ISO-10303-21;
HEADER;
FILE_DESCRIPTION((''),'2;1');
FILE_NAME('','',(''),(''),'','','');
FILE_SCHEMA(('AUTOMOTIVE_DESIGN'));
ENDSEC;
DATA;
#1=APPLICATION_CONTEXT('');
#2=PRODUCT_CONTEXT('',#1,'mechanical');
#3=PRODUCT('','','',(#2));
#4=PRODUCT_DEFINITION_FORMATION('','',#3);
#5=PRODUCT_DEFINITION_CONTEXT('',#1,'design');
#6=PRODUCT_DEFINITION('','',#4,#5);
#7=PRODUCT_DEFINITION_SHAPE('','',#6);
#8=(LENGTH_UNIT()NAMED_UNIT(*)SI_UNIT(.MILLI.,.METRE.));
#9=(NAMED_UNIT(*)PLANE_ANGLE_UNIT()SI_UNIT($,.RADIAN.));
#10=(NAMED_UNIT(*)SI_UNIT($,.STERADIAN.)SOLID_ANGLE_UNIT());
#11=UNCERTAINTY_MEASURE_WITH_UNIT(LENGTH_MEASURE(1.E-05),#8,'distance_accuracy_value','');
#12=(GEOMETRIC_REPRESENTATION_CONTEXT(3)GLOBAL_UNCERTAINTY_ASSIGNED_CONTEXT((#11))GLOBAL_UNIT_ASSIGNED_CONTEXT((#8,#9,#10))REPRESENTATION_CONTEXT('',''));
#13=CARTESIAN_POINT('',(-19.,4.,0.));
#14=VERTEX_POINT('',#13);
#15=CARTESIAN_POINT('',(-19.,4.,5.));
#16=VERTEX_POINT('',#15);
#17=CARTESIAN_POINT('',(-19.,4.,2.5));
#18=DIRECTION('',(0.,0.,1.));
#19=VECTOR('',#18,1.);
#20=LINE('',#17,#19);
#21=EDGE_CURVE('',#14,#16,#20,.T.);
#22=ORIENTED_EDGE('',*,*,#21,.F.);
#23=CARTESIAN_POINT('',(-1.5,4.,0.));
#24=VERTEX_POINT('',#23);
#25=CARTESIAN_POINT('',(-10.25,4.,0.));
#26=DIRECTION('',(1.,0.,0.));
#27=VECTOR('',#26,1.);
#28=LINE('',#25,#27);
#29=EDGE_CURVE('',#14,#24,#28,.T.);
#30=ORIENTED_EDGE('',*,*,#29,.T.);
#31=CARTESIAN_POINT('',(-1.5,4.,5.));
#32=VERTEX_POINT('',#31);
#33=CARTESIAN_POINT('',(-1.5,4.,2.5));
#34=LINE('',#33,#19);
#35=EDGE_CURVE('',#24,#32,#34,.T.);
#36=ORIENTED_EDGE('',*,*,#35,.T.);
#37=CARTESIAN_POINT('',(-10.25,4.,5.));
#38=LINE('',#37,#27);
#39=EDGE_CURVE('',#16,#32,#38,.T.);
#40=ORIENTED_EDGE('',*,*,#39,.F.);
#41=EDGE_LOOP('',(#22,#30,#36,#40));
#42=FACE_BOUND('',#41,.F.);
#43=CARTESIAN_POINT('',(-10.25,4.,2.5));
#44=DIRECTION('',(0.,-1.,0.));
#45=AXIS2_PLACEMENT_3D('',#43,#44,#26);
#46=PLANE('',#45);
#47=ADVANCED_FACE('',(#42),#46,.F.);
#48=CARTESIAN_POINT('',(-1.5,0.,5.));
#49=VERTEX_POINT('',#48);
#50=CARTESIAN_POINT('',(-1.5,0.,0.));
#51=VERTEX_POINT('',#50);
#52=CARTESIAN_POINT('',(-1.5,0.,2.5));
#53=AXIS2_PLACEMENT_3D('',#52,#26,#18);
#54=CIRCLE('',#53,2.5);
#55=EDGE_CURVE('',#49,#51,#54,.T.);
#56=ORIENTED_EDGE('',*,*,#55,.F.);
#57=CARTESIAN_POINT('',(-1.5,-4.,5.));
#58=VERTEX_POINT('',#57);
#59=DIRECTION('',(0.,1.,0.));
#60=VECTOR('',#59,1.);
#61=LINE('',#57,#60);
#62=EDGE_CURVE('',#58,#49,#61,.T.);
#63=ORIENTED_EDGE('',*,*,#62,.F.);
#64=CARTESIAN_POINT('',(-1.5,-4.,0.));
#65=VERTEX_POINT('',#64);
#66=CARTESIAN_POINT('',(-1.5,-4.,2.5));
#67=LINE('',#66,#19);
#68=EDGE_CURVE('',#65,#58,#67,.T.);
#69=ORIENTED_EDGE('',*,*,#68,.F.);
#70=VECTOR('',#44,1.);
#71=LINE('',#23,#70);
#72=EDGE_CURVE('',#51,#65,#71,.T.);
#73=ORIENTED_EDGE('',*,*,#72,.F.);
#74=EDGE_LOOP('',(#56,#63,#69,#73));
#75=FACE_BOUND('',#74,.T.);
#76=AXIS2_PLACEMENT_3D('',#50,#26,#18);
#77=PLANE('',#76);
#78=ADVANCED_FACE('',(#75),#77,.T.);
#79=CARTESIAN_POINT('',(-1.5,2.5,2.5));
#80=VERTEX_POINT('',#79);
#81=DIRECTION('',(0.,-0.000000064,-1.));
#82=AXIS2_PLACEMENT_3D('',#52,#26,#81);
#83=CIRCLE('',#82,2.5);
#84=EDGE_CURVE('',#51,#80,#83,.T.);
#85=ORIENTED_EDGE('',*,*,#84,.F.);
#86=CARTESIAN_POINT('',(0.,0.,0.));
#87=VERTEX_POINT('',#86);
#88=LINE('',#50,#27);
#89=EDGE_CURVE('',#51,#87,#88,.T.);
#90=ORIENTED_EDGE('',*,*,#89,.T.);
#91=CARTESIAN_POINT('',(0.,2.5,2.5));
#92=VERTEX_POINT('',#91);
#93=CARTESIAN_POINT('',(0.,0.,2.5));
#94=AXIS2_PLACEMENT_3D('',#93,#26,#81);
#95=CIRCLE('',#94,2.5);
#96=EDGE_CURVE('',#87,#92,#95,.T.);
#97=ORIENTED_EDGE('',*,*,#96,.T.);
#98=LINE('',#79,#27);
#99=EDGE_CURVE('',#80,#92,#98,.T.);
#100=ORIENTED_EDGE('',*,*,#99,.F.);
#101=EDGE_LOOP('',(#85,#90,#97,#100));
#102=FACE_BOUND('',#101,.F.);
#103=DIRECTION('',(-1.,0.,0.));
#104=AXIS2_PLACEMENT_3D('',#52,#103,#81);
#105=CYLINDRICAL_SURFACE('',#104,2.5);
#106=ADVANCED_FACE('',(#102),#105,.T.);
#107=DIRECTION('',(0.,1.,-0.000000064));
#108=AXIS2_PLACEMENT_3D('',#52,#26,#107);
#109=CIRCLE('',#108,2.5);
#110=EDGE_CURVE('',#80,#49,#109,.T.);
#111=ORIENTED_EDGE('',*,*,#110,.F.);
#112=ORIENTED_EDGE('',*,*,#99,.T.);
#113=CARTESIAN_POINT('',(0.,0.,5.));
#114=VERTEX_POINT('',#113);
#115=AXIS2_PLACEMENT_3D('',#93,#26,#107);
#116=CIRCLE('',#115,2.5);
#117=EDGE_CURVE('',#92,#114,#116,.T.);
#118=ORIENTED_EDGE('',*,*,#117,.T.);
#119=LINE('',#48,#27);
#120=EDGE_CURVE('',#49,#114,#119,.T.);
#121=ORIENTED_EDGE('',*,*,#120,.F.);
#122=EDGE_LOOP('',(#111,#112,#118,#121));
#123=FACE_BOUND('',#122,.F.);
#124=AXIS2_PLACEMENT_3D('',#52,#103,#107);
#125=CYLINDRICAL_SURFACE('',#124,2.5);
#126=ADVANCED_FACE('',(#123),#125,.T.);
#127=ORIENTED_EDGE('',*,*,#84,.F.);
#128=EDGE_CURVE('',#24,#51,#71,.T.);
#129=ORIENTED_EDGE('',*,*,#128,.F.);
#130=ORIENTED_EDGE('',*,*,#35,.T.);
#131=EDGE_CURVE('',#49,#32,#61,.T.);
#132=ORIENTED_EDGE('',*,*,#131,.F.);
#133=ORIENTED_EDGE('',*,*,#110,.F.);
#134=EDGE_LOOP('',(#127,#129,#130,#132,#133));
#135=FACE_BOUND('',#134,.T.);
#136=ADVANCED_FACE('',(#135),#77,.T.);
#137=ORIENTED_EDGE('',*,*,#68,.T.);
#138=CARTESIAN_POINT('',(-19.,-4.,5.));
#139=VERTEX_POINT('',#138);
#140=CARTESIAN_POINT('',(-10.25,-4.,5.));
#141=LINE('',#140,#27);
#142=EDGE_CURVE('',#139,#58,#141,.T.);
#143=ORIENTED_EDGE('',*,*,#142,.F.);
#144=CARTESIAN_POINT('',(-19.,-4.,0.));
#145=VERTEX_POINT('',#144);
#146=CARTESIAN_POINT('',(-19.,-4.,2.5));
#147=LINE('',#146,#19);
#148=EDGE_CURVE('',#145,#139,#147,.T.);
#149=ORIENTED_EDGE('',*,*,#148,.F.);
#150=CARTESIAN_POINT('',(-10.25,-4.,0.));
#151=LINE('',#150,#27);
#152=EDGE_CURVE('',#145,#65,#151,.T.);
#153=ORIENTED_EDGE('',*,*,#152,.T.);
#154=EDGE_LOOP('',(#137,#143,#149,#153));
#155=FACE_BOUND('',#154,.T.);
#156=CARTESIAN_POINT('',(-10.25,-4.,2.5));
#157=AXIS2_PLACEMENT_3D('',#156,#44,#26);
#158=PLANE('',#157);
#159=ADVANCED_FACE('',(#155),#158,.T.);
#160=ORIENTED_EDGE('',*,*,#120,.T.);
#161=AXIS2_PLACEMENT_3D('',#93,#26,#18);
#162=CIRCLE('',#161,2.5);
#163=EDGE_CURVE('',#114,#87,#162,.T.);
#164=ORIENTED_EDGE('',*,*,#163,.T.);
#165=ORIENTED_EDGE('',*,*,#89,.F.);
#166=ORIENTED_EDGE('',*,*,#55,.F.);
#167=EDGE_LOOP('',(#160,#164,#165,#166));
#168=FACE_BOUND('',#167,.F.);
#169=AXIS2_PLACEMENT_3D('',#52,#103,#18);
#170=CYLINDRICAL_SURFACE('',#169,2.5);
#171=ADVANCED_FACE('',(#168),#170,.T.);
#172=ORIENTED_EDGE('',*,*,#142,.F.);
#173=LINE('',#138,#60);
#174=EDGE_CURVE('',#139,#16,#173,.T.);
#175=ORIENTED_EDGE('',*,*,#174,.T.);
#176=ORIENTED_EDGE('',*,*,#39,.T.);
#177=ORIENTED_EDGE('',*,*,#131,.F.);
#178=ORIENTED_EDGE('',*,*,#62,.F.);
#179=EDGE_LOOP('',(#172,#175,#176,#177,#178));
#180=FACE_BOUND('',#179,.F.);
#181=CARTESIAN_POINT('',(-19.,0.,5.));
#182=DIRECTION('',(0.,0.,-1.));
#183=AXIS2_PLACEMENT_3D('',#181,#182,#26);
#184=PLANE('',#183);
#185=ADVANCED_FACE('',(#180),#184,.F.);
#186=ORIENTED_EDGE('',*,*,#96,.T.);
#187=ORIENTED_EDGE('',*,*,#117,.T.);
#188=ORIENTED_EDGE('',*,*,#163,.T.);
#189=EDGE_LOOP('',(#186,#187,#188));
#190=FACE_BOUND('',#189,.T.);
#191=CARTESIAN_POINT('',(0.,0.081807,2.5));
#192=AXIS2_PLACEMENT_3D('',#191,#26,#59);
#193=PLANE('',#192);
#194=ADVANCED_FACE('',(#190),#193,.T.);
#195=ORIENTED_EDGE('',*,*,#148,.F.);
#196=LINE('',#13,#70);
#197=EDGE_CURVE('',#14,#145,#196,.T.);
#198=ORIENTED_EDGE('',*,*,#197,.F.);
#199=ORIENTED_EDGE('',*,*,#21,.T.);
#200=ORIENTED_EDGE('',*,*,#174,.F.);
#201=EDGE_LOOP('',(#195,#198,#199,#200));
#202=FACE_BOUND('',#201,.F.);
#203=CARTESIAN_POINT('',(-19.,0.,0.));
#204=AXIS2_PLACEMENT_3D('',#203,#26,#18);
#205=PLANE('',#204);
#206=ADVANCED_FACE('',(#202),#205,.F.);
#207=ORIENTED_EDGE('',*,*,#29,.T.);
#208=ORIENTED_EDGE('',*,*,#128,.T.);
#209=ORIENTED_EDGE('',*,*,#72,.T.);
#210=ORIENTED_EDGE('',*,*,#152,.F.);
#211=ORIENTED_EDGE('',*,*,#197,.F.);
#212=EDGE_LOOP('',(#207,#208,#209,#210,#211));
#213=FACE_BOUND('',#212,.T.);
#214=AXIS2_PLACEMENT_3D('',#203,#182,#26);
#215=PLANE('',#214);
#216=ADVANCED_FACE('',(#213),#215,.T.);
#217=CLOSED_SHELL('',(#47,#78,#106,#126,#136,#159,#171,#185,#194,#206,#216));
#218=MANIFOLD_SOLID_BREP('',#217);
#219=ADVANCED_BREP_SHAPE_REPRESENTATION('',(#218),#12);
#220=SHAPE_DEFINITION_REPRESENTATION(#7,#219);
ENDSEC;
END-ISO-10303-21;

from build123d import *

# Parameters (mm, degrees)
F0_W     = 17.5
F0_H     = 5
F1_DEPTH = 4
F3_DEPTH = 1.5


with BuildPart() as f1:
    # F0 (on Front) → F1 (new body, symmetric)
    with BuildSketch(Plane.XZ):
        with Locations((-10.25, 2.5)):
            Rectangle(F0_W, F0_H)
    extrude(amount=F1_DEPTH, both=True)

    # F2 (on face) → F3 (join)
    with BuildSketch(Plane.YZ.offset(-1.5)):
        with BuildLine():
            ThreePointArc((0, 0), (1.767767, 0.732233), (2.5, 2.5))
            ThreePointArc((2.5, 2.5), (1.767767, 4.267767), (0, 5))
            ThreePointArc((0, 5), (-2.5, 2.5), (0, 0))
        make_face()
    extrude(amount=F3_DEPTH)


solid = f1.part
